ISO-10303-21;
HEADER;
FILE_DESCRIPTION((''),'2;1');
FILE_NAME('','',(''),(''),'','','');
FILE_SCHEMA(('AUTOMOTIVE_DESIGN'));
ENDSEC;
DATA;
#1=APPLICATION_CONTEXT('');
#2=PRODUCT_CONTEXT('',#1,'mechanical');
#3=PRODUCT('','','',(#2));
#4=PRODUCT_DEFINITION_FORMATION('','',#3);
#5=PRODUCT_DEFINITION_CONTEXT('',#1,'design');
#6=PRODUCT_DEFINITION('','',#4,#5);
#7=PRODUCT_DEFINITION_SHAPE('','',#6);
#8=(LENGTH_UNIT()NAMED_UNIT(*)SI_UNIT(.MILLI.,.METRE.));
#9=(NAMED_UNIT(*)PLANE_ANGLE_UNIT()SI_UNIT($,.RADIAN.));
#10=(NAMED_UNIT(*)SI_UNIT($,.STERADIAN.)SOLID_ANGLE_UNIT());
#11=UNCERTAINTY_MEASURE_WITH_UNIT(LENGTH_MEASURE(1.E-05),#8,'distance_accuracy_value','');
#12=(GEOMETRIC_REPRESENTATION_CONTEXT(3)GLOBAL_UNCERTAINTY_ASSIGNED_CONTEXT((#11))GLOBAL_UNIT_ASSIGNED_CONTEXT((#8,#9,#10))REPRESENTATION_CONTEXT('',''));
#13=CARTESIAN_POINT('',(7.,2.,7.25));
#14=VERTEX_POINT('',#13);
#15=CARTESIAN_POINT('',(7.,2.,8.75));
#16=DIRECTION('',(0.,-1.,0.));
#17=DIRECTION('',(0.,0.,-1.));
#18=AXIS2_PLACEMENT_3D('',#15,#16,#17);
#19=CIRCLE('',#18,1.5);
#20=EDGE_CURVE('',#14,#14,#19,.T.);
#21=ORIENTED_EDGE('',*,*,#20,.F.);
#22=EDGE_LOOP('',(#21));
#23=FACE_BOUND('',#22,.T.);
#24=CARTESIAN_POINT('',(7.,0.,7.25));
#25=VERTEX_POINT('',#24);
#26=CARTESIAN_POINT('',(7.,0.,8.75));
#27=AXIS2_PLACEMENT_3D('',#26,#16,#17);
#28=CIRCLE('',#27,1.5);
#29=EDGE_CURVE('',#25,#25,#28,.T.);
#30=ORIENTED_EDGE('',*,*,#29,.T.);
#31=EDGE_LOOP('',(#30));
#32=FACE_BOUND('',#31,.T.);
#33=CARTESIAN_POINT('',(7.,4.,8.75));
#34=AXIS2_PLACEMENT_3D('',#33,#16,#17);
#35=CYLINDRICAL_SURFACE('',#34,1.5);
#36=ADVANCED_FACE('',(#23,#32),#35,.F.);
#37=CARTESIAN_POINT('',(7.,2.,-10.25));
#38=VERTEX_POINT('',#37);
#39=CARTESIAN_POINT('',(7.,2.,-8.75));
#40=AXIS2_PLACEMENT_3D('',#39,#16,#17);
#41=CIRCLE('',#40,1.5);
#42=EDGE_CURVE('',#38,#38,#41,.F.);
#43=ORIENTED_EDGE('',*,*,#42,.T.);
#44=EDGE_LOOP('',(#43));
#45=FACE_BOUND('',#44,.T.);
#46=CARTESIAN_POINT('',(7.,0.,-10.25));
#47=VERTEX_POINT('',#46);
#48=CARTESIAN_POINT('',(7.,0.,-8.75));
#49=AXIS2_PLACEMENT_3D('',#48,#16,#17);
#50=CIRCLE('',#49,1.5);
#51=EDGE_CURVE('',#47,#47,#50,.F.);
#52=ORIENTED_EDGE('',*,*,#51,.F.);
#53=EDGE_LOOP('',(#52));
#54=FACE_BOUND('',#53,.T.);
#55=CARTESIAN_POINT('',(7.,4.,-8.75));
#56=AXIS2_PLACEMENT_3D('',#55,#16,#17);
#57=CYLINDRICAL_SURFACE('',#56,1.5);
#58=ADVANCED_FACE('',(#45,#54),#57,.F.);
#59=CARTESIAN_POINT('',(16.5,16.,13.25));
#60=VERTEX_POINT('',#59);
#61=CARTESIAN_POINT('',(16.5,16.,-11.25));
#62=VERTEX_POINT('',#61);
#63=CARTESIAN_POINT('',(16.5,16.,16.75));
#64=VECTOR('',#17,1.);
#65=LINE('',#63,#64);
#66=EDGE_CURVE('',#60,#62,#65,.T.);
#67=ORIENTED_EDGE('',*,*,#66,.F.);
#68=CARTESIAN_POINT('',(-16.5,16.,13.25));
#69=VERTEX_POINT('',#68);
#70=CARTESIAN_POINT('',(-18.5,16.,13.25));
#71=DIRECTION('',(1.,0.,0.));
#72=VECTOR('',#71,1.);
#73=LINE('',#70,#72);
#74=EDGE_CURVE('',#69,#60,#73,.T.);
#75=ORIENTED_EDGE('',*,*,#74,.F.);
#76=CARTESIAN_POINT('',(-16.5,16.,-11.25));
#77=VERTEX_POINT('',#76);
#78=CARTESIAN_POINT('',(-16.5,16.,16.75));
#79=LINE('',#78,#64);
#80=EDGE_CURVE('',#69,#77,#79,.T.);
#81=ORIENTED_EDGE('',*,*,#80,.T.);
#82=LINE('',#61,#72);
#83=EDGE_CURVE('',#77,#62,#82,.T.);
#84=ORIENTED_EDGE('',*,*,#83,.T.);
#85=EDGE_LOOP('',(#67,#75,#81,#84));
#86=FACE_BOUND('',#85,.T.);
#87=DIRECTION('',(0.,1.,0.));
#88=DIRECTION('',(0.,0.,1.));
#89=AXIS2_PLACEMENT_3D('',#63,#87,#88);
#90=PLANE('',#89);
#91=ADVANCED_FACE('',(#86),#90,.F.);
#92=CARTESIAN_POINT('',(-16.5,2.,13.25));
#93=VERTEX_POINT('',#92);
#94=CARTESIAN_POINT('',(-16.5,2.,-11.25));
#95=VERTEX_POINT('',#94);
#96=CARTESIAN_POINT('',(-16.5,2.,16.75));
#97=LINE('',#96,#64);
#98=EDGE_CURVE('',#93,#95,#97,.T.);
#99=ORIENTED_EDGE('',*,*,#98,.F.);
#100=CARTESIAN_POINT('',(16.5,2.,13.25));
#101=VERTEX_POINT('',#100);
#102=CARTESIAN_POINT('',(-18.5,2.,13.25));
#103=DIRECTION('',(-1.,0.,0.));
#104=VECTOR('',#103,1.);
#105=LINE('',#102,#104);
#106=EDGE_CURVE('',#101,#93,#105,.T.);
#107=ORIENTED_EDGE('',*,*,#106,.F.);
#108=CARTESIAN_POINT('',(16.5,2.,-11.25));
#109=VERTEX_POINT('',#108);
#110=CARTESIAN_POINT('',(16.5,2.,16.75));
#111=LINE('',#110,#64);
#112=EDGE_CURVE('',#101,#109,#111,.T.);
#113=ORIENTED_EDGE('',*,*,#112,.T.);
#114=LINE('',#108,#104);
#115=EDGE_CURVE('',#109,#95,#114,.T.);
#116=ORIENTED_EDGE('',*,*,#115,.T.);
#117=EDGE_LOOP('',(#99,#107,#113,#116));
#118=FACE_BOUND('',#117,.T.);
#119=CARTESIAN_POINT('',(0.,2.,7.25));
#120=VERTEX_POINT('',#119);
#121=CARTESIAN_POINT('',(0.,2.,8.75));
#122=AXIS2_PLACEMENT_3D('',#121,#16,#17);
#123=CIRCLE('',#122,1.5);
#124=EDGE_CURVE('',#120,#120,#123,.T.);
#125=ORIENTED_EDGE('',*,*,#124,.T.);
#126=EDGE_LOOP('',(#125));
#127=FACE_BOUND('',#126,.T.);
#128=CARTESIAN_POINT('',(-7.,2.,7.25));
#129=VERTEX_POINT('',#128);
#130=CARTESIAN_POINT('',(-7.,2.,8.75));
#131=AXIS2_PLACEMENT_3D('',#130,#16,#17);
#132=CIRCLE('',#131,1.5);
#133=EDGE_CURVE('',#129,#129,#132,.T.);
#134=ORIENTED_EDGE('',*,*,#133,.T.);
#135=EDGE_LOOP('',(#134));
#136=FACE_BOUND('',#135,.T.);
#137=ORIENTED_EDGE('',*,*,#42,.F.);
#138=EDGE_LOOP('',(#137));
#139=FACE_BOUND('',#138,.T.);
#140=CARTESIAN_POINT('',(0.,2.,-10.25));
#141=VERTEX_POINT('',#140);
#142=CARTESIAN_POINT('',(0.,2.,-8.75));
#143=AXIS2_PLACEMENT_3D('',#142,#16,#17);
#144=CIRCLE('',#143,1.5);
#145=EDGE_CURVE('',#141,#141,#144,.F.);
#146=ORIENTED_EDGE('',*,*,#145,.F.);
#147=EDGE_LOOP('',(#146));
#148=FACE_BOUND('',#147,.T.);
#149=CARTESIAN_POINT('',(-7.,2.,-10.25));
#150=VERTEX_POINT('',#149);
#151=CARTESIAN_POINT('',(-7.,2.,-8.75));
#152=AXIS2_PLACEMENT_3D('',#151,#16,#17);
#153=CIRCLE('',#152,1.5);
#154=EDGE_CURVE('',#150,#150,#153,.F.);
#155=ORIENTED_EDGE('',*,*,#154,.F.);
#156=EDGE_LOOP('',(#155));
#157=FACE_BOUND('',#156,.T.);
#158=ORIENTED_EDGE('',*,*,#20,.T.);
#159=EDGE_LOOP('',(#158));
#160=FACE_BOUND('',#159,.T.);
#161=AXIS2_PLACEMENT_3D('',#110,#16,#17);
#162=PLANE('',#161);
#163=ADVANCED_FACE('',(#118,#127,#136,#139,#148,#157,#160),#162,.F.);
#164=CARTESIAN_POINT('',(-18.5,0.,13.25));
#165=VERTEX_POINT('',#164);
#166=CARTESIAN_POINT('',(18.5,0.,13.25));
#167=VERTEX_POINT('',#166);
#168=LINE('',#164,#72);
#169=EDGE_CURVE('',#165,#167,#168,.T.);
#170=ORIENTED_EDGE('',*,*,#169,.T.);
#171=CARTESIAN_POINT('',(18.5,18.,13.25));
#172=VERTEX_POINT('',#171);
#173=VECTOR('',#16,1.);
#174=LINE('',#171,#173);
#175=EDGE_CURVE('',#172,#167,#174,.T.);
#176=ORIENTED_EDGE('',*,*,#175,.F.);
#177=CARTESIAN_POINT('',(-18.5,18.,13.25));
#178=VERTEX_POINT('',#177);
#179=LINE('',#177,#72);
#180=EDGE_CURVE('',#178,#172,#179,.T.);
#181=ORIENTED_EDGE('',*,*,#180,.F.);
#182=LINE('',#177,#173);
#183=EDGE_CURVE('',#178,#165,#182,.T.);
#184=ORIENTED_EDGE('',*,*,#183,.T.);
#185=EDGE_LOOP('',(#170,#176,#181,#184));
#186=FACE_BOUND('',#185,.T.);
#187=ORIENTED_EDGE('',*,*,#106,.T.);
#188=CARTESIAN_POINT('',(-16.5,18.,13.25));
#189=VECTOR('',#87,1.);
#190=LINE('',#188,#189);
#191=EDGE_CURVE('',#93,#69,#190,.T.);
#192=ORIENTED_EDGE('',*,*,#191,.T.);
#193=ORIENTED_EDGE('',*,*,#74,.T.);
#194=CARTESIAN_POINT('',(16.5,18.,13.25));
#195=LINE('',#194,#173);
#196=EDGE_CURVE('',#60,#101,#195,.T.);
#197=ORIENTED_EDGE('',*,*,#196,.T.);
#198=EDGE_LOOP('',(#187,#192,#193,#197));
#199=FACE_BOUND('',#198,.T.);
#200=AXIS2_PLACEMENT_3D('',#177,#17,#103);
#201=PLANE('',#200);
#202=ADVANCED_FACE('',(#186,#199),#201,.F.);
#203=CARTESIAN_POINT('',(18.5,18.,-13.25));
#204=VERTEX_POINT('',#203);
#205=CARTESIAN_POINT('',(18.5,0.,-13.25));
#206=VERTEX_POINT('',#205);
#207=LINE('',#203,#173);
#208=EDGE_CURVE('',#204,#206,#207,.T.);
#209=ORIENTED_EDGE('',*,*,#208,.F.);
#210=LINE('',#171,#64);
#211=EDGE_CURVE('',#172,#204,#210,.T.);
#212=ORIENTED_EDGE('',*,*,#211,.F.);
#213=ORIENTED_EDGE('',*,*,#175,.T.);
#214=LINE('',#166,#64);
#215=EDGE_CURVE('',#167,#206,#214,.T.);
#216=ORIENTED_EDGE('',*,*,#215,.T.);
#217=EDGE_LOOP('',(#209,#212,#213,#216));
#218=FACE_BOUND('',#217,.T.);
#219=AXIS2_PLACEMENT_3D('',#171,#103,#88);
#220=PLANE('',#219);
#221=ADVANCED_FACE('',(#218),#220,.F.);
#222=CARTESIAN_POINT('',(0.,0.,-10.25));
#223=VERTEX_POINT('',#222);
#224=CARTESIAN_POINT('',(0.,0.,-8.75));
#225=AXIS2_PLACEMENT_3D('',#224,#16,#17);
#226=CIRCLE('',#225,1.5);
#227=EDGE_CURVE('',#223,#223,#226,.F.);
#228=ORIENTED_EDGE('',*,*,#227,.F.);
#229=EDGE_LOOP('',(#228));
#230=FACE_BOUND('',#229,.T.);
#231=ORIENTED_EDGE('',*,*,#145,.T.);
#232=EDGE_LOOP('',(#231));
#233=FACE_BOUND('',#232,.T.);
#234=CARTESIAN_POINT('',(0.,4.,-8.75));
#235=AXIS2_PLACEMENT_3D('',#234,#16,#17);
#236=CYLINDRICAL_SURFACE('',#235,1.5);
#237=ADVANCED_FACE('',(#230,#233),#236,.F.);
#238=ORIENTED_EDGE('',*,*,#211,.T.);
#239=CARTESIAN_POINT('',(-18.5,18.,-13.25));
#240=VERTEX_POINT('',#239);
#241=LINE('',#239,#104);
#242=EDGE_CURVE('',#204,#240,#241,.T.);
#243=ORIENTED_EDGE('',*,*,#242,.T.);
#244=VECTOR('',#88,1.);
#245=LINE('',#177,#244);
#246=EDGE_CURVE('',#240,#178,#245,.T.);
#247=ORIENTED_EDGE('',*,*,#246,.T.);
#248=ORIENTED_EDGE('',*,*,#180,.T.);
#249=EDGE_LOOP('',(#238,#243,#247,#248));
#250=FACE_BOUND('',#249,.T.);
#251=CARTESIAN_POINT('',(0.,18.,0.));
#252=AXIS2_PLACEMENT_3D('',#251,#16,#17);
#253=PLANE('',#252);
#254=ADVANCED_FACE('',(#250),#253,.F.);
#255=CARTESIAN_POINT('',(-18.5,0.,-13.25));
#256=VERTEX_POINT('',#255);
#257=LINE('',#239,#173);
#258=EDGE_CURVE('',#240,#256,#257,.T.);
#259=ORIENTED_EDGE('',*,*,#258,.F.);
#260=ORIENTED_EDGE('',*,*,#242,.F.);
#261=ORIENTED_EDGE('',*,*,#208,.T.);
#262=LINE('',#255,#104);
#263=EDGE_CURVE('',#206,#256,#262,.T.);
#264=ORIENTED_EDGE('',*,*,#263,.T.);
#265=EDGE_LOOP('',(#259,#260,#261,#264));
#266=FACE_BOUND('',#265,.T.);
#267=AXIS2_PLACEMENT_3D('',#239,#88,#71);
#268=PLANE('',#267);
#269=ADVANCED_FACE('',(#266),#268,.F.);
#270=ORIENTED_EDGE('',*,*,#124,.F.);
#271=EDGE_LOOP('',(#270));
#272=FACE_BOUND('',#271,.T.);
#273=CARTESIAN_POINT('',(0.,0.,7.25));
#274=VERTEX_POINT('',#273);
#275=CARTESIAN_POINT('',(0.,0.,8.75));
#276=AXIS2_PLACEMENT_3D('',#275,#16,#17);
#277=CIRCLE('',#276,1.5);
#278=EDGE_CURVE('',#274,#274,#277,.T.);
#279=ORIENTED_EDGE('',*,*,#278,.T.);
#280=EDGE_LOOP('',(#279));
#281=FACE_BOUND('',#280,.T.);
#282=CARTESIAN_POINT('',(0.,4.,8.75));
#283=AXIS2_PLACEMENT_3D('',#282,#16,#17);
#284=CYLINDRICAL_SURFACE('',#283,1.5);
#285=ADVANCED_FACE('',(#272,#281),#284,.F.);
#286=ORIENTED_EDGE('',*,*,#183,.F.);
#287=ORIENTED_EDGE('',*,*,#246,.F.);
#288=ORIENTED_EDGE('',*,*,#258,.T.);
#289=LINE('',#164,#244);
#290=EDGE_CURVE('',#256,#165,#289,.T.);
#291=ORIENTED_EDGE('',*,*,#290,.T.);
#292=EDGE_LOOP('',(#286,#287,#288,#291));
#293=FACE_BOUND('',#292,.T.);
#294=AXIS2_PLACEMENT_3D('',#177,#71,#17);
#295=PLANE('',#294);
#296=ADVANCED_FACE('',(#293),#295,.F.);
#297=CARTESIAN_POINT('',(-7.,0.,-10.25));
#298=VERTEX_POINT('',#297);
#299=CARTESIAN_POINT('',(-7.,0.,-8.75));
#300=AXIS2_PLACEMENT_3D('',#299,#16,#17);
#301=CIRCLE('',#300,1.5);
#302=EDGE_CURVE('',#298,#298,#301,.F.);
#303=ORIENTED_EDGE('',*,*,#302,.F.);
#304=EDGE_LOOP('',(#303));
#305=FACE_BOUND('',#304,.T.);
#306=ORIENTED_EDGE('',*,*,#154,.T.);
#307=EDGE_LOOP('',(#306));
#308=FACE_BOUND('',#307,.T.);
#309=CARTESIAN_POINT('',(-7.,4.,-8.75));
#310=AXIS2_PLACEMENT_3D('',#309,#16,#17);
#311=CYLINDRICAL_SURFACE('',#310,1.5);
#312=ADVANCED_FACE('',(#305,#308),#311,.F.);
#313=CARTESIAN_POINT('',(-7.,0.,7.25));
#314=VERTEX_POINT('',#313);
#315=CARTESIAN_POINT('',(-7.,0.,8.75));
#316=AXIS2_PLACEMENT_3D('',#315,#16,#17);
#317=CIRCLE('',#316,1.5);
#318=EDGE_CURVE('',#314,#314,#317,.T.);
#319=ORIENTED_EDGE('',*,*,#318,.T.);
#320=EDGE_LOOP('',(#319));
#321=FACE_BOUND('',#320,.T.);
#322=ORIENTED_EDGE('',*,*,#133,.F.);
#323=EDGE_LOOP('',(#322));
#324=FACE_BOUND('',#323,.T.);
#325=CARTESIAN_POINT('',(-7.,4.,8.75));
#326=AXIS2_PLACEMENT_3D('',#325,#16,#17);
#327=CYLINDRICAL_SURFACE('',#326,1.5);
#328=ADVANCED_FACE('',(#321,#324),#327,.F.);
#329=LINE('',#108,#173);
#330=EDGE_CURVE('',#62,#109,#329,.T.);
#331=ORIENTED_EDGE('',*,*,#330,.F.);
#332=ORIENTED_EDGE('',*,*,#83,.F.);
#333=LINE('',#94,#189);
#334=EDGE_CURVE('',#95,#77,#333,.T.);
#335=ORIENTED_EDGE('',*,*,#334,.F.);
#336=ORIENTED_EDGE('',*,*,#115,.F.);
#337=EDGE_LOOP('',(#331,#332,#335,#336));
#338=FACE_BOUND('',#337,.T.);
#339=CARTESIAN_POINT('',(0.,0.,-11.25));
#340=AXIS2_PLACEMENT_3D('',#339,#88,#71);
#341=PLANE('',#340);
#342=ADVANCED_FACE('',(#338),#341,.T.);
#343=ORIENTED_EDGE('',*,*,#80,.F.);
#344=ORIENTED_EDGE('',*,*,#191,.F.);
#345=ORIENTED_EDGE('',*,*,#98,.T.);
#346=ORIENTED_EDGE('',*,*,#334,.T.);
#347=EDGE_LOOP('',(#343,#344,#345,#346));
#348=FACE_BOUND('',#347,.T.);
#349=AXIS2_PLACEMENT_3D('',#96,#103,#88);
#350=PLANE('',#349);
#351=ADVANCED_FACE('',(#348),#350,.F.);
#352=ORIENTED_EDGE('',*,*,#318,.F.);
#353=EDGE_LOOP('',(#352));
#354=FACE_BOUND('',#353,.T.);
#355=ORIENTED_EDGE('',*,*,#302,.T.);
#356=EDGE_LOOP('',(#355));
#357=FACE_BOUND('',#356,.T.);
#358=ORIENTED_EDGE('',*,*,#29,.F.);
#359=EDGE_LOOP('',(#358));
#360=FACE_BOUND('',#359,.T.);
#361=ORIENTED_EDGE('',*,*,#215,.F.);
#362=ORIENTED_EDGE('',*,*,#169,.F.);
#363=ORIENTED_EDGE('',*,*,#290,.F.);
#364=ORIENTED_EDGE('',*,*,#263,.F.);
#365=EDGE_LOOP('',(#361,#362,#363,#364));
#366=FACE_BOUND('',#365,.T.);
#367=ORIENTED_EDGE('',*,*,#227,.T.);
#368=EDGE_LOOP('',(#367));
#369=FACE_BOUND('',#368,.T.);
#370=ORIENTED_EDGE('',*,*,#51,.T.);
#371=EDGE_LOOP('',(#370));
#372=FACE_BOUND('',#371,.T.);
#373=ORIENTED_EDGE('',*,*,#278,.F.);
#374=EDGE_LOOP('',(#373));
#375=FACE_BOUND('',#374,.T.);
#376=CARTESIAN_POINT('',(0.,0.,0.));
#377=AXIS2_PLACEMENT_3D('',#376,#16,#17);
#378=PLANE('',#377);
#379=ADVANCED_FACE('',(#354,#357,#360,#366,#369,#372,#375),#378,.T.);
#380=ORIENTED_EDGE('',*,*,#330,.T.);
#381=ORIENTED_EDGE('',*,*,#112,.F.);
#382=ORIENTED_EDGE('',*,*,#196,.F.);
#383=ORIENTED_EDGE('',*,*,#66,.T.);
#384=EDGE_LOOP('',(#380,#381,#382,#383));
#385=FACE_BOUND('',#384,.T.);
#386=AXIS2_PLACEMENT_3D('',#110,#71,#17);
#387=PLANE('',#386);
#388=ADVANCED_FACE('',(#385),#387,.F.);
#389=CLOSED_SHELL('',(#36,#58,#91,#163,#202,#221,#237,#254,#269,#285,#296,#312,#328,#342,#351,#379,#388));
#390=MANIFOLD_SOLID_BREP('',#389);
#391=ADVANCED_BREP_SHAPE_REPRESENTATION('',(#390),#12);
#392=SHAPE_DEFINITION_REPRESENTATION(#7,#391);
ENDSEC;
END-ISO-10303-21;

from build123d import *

# Parameters (mm, degrees)
SKIZZE1_W                       = 37
SKIZZE1_H                       = 26.5
AUFSATZ_LINEAR_AUSTRAGEN1_DEPTH = 18
SKIZZE5_W                       = 33
SKIZZE5_H                       = 14
SCHNITT_LINEAR_AUSTRAGEN1_DEPTH = 28
SKIZZE6_R                       = 1.5
SCHNITT_LINEAR_AUSTRAGEN2_DEPTH = 4


with BuildPart() as part:
    # Skizze1 → Aufsatz-Linear austragen1 (new body)
    with BuildSketch(Plane(origin=(0, 0, 0), x_dir=(1, 0, 0), z_dir=(0, 1, 0))):
        Rectangle(SKIZZE1_W, SKIZZE1_H)
    extrude(amount=AUFSATZ_LINEAR_AUSTRAGEN1_DEPTH)

    # Skizze5 → Schnitt-Linear austragen1 (cut)
    with BuildSketch(Plane(origin=(0, 0, -11.25), x_dir=(-1, 0, 0), z_dir=(0, 0, -1))):
        with Locations((0, 9)):
            Rectangle(SKIZZE5_W, SKIZZE5_H)
    extrude(amount=-SCHNITT_LINEAR_AUSTRAGEN1_DEPTH, mode=Mode.SUBTRACT)

    # Skizze6 → Schnitt-Linear austragen2 (cut, symmetric)
    with BuildSketch(Plane.XZ):
        with Locations((-7, 8.75)):
            Circle(SKIZZE6_R)
        with Locations((7, 8.75)):
            Circle(SKIZZE6_R)
        with Locations((0, 8.75)):
            Circle(SKIZZE6_R)
    schnitt_linear_austragen2 = extrude(amount=SCHNITT_LINEAR_AUSTRAGEN2_DEPTH, both=True, mode=Mode.SUBTRACT)

    # Spiegeln1: Schnitt-Linear austragen2 across plane
    add(schnitt_linear_austragen2.mirror(Plane.XY), mode=Mode.SUBTRACT)


solid = part.part
